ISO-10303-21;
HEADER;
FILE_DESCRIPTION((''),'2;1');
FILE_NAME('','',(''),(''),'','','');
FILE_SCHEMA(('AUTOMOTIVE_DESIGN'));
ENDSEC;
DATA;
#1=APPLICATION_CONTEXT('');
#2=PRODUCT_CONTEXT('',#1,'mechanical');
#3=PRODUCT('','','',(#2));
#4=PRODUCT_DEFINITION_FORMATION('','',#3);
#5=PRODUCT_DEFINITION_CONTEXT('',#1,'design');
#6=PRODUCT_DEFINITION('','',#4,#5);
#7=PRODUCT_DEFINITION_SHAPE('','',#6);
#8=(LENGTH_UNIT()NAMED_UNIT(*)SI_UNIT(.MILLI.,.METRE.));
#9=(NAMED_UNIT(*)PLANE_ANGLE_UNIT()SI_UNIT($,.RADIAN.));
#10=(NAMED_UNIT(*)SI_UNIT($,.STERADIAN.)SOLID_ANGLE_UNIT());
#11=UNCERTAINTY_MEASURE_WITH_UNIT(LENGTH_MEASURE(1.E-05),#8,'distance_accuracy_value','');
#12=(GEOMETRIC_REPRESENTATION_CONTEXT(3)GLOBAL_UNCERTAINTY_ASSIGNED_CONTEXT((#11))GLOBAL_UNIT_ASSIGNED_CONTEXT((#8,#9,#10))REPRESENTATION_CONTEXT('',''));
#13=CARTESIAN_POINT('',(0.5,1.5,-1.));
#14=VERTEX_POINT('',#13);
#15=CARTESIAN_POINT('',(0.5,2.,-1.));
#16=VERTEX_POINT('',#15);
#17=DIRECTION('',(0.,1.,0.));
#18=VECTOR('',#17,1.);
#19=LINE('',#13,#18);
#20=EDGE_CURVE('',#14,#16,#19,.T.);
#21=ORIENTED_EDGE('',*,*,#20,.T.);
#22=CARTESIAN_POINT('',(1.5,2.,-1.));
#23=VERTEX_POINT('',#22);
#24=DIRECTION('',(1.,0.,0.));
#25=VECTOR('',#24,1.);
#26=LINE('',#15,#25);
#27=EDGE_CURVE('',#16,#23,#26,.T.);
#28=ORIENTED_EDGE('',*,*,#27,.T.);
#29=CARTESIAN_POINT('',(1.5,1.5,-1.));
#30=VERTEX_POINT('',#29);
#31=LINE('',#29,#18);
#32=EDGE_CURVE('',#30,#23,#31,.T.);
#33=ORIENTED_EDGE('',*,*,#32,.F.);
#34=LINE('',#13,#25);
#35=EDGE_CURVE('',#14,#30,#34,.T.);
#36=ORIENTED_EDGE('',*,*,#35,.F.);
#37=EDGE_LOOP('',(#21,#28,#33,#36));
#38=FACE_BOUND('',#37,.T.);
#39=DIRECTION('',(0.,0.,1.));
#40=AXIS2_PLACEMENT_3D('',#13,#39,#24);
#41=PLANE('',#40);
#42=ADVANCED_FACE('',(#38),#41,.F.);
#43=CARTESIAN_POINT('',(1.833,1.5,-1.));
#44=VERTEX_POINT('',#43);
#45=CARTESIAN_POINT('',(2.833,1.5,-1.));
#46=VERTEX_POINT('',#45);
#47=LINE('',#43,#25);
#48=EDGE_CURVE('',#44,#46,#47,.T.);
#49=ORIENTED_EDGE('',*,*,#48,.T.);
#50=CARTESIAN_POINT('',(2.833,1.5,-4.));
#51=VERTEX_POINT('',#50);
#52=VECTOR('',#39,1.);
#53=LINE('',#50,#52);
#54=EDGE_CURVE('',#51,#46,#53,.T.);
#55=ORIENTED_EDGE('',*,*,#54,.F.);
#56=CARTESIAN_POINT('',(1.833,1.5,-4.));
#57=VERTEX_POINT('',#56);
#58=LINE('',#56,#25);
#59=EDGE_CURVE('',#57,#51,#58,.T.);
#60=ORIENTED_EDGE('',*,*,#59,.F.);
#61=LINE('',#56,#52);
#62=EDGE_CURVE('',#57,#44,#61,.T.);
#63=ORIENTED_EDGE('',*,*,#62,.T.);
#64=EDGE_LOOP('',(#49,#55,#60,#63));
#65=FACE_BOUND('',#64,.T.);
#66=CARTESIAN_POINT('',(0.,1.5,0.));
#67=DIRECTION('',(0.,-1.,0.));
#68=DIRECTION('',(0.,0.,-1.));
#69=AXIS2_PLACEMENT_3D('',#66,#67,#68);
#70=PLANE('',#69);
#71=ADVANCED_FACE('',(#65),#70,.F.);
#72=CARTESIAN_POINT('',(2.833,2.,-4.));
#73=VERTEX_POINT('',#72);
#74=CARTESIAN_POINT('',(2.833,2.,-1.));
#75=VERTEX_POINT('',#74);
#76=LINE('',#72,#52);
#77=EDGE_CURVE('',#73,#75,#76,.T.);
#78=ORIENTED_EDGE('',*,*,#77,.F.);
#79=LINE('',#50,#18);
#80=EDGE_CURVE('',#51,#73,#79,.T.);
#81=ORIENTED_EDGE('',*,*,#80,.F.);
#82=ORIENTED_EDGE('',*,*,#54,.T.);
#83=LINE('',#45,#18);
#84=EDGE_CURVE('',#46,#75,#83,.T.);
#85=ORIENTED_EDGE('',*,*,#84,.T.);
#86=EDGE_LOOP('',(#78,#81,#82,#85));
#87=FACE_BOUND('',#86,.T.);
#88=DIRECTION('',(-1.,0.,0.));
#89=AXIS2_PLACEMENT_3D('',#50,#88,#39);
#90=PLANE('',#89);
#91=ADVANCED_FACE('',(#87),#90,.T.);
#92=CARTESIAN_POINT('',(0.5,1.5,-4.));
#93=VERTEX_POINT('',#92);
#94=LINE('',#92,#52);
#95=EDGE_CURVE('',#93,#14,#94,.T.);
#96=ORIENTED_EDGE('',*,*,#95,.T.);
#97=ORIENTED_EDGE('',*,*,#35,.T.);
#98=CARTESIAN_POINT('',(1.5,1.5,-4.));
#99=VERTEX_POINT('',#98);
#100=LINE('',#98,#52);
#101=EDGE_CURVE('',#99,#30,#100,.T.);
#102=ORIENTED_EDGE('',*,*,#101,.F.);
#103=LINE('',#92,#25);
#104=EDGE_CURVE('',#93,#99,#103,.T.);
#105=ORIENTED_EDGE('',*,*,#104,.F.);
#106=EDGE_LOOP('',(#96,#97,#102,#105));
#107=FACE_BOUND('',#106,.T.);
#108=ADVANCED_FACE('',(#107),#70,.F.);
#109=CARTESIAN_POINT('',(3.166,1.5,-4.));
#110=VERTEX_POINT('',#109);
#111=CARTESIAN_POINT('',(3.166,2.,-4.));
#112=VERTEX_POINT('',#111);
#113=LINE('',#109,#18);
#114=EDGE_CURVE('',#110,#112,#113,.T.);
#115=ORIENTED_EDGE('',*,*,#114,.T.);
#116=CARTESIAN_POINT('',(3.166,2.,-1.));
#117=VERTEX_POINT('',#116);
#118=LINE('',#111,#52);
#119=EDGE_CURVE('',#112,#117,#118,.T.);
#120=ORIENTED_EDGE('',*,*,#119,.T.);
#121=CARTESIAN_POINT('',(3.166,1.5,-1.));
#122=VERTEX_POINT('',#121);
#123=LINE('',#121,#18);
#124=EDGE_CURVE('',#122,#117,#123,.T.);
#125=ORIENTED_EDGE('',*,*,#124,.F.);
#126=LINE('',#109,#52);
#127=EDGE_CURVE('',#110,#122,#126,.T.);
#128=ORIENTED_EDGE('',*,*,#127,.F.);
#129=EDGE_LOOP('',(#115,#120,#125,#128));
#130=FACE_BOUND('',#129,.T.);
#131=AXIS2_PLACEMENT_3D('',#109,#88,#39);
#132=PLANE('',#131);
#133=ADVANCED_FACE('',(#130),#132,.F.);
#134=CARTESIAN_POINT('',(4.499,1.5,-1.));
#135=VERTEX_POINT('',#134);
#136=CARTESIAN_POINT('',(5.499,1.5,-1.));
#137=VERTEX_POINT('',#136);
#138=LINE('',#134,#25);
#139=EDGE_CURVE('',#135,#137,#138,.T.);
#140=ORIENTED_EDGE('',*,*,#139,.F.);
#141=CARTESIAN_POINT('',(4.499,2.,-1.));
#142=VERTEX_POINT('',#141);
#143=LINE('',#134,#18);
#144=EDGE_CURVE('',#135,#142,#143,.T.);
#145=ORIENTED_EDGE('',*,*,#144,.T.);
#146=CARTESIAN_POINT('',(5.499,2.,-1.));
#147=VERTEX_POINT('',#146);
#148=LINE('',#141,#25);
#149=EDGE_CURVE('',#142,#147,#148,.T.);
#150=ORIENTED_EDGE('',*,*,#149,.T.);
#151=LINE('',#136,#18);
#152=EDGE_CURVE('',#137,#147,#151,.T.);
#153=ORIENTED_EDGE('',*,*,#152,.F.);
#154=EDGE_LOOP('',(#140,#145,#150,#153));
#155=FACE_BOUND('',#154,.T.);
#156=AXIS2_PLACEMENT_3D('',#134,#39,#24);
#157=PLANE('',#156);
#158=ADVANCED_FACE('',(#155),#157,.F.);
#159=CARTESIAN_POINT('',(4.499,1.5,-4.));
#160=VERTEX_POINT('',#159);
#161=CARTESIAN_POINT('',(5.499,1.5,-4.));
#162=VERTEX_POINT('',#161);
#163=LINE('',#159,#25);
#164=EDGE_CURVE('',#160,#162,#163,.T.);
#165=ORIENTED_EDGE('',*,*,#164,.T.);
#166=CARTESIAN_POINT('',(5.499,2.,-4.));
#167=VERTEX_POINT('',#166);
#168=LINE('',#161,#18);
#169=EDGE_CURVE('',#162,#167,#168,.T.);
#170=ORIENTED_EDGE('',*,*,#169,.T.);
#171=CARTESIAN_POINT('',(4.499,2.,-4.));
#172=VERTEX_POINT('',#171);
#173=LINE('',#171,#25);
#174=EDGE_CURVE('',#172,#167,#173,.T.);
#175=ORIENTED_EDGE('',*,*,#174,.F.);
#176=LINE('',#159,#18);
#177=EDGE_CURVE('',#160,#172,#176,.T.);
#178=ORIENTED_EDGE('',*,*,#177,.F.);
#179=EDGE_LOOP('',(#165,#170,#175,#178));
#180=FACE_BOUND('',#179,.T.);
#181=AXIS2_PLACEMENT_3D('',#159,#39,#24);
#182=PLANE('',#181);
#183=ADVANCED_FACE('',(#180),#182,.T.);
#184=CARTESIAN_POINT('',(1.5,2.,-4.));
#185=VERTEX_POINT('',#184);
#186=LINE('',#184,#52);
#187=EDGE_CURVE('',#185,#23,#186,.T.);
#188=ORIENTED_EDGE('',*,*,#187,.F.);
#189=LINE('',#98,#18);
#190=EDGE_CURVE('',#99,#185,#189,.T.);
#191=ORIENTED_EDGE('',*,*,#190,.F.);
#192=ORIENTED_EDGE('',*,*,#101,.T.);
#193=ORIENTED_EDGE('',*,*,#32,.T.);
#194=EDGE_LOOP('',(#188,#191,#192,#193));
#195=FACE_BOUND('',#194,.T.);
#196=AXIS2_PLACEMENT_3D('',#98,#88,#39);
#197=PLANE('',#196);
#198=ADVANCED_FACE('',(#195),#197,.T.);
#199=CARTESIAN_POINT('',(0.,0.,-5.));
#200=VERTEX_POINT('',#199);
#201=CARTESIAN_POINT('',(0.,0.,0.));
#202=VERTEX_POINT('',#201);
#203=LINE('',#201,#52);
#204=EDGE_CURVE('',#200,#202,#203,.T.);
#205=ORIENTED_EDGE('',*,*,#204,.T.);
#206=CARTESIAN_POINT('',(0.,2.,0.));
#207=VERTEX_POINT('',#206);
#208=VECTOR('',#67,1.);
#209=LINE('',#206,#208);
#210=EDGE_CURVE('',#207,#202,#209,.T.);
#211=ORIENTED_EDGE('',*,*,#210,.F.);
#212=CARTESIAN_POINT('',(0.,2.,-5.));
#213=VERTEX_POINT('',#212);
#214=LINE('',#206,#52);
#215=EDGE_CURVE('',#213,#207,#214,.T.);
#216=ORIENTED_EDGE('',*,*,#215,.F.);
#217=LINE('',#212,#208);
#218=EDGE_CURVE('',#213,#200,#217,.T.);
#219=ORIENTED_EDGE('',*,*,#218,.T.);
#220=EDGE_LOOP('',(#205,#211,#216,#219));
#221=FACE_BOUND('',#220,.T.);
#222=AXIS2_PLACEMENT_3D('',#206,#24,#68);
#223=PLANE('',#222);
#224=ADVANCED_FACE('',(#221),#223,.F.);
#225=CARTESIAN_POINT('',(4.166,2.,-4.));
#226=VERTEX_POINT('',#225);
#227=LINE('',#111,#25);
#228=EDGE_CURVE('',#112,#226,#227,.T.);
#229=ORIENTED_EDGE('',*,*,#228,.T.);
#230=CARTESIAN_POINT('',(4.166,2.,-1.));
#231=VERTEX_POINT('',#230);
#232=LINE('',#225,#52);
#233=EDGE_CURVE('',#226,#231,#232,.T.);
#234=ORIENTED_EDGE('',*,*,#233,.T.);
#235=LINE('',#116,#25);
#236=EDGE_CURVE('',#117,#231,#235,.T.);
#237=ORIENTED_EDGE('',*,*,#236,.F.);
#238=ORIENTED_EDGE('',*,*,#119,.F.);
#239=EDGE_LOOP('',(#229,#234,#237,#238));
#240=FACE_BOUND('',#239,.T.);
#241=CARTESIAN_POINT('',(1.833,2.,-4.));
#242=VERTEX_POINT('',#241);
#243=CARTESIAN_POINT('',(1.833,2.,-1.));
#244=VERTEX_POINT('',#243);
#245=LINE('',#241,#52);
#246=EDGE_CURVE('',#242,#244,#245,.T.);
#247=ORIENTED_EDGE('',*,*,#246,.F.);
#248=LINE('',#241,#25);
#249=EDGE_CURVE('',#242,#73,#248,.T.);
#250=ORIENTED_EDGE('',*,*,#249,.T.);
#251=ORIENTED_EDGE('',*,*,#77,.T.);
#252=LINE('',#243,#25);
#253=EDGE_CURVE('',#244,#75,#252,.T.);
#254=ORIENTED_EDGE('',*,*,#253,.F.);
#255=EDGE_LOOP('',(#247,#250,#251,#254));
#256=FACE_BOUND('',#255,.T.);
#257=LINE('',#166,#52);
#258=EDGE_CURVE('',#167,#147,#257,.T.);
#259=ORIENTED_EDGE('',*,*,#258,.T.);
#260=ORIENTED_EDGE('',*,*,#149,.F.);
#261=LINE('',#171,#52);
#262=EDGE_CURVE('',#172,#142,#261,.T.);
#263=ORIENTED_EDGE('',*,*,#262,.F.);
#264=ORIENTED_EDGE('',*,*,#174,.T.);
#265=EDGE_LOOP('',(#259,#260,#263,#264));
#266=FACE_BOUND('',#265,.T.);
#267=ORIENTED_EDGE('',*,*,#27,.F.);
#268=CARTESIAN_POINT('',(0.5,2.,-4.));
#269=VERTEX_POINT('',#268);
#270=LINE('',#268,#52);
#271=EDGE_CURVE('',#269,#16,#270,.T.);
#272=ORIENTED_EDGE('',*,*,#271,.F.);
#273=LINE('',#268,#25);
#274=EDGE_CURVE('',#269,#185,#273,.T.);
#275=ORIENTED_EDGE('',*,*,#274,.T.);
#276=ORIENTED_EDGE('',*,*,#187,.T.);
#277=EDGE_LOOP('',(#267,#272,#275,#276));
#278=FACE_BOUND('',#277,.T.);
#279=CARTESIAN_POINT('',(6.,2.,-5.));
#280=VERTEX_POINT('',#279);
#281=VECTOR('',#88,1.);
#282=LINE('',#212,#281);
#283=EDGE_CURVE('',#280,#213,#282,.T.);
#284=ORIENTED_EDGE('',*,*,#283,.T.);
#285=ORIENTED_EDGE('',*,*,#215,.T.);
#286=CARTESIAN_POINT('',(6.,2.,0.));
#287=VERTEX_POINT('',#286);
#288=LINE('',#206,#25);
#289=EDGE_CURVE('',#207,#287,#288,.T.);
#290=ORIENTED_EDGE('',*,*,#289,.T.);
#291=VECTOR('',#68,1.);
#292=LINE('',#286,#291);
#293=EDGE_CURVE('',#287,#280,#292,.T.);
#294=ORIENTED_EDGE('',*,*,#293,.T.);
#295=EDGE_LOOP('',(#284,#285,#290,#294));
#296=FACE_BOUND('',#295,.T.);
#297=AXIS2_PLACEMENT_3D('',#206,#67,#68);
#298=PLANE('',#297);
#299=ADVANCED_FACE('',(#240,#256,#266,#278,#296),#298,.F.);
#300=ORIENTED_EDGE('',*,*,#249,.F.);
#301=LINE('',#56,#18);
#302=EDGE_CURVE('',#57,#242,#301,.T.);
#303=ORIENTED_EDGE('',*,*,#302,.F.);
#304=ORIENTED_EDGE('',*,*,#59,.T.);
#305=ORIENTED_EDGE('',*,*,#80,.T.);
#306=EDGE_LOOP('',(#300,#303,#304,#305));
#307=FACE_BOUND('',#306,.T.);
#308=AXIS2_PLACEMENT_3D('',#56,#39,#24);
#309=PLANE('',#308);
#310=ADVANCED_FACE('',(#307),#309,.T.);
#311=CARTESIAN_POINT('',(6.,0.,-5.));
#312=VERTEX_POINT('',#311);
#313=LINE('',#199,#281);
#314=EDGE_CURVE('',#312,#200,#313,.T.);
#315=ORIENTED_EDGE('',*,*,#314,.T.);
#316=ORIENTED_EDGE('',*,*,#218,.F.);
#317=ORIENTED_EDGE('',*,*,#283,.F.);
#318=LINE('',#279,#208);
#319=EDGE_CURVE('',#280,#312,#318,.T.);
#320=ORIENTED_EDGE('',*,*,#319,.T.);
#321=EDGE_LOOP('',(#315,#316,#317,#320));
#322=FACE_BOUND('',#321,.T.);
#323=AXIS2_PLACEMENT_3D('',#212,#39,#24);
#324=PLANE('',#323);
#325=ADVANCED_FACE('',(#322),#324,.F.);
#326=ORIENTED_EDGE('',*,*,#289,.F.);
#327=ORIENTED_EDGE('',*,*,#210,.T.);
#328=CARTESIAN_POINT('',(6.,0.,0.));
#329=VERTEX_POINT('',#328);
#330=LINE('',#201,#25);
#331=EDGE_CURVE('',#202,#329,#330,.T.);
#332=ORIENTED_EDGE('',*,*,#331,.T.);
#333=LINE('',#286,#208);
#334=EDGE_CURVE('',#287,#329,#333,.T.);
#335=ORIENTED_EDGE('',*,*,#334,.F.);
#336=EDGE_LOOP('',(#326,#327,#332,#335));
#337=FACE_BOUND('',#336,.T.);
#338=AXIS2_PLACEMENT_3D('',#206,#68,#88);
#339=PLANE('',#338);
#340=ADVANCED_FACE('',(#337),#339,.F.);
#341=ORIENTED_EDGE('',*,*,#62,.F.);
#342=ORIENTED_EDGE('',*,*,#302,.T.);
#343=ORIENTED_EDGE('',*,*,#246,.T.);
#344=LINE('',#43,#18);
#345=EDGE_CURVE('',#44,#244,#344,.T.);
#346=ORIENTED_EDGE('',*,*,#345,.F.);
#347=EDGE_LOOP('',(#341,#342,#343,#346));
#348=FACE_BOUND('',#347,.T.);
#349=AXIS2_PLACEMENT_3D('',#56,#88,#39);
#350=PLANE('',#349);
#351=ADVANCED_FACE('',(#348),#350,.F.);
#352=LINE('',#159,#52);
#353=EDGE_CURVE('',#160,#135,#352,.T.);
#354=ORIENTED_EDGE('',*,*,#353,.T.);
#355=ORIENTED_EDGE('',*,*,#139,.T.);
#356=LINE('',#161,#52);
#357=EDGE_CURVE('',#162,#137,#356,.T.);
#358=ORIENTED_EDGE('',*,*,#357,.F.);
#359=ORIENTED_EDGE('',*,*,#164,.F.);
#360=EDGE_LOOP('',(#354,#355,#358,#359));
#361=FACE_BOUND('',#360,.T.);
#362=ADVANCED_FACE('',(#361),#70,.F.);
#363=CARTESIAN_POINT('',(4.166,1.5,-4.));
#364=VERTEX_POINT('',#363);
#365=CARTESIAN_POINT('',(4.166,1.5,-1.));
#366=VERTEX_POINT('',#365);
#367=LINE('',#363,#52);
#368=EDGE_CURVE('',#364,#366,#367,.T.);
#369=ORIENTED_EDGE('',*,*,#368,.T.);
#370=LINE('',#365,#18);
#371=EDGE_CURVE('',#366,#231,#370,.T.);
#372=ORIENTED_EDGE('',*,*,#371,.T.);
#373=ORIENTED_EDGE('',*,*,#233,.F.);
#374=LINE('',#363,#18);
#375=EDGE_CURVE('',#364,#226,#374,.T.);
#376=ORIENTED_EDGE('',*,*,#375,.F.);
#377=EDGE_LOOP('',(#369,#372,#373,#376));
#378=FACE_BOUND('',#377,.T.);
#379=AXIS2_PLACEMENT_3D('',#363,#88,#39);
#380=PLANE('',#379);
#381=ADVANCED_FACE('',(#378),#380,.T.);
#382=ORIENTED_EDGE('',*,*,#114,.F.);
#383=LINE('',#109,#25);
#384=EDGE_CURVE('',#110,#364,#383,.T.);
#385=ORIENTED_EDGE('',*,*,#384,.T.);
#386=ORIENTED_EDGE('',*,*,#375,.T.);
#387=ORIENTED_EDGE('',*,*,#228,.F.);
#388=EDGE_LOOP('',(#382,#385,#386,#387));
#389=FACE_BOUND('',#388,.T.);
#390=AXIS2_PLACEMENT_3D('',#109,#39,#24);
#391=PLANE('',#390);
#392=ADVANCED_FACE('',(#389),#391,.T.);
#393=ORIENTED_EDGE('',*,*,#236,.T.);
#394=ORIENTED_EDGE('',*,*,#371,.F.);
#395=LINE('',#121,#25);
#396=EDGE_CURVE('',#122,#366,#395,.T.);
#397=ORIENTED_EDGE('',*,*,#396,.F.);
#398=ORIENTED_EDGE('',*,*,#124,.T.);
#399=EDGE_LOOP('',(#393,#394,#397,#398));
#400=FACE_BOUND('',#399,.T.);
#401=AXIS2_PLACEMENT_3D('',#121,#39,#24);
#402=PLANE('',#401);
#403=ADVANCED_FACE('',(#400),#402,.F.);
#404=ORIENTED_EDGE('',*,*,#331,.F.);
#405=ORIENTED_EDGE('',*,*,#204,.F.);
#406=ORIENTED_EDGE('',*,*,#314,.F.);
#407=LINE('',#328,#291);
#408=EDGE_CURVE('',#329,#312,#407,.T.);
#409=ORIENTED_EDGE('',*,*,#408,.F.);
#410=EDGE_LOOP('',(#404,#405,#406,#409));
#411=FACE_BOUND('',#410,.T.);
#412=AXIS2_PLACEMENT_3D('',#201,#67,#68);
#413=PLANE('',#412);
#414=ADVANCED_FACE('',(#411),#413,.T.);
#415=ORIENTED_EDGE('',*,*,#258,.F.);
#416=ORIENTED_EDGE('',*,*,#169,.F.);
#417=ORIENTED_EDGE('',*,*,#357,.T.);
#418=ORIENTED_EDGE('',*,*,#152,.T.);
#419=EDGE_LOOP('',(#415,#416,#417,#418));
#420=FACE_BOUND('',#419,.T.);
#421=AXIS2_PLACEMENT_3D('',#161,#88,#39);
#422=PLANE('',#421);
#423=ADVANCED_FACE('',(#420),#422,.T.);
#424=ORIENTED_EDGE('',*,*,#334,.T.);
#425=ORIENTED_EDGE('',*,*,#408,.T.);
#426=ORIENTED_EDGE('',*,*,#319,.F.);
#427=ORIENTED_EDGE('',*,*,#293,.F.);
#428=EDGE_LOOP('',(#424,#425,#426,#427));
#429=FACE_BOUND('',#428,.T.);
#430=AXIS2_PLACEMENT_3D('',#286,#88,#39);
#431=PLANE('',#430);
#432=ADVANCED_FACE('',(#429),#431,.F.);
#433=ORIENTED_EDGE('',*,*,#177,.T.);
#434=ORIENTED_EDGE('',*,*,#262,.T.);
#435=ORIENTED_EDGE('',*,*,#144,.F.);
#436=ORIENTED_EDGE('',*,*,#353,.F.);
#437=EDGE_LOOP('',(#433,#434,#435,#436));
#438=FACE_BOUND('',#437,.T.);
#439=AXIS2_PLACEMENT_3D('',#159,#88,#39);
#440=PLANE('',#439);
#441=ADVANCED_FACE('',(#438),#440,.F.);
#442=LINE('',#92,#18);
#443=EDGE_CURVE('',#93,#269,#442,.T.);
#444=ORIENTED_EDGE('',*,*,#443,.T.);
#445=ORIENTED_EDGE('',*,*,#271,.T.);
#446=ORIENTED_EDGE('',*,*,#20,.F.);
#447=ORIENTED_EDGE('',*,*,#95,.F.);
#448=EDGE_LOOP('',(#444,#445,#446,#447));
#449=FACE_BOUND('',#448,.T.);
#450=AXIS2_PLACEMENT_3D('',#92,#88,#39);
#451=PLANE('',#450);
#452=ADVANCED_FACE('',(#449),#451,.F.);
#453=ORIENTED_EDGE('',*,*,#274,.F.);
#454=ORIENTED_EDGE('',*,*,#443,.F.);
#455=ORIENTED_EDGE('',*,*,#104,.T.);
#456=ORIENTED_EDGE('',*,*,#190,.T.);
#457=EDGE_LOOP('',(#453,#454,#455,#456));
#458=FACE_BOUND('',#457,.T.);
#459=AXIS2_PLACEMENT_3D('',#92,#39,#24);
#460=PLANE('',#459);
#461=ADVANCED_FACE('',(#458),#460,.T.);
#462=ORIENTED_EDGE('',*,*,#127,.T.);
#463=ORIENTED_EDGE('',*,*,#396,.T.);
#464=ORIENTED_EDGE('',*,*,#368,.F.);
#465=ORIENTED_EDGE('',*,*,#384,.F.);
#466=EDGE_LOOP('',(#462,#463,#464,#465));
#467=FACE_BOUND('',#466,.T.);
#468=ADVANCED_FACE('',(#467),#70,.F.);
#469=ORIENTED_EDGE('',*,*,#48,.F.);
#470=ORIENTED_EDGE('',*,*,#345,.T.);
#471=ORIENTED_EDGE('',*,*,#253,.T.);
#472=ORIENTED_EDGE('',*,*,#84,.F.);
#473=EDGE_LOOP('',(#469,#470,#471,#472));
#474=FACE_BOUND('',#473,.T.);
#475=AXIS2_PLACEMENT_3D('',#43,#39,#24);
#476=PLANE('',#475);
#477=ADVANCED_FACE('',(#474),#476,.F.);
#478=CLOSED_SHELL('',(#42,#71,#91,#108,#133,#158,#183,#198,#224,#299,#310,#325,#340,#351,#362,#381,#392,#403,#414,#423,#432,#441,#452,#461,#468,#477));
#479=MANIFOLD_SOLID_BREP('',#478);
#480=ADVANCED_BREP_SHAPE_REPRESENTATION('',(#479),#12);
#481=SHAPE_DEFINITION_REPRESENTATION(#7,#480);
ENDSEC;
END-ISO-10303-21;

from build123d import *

# Parameters (mm, degrees)
SKETCH1_W           = 6
SKETCH1_H           = 5
BOSS_EXTRUDE1_DEPTH = 2
SKETCH2_W           = 1
SKETCH2_H           = 3
CUT_EXTRUDE1_DEPTH  = 0.5


with BuildPart() as part:
    # Sketch1 → Boss-Extrude1 (new body)
    with BuildSketch(Plane(origin=(0, 0, 0), x_dir=(1, 0, 0), z_dir=(0, 1, 0))):
        with Locations((3, 2.5)):
            Rectangle(SKETCH1_W, SKETCH1_H)
    extrude(amount=BOSS_EXTRUDE1_DEPTH)

    # Sketch2 → Cut-Extrude1 (cut)
    with BuildSketch(Plane(origin=(0, 2, 0), x_dir=(1, 0, 0), z_dir=(0, 1, 0))):
        with Locations((1, 2.5)):
            Rectangle(SKETCH2_W, SKETCH2_H)
        with Locations((2.333, 2.5)):
            Rectangle(SKETCH2_W, SKETCH2_H)
        with Locations((3.666, 2.5)):
            Rectangle(SKETCH2_W, SKETCH2_H)
        with Locations((4.999, 2.5)):
            Rectangle(SKETCH2_W, SKETCH2_H)
    extrude(amount=-CUT_EXTRUDE1_DEPTH, mode=Mode.SUBTRACT)


solid = part.part
